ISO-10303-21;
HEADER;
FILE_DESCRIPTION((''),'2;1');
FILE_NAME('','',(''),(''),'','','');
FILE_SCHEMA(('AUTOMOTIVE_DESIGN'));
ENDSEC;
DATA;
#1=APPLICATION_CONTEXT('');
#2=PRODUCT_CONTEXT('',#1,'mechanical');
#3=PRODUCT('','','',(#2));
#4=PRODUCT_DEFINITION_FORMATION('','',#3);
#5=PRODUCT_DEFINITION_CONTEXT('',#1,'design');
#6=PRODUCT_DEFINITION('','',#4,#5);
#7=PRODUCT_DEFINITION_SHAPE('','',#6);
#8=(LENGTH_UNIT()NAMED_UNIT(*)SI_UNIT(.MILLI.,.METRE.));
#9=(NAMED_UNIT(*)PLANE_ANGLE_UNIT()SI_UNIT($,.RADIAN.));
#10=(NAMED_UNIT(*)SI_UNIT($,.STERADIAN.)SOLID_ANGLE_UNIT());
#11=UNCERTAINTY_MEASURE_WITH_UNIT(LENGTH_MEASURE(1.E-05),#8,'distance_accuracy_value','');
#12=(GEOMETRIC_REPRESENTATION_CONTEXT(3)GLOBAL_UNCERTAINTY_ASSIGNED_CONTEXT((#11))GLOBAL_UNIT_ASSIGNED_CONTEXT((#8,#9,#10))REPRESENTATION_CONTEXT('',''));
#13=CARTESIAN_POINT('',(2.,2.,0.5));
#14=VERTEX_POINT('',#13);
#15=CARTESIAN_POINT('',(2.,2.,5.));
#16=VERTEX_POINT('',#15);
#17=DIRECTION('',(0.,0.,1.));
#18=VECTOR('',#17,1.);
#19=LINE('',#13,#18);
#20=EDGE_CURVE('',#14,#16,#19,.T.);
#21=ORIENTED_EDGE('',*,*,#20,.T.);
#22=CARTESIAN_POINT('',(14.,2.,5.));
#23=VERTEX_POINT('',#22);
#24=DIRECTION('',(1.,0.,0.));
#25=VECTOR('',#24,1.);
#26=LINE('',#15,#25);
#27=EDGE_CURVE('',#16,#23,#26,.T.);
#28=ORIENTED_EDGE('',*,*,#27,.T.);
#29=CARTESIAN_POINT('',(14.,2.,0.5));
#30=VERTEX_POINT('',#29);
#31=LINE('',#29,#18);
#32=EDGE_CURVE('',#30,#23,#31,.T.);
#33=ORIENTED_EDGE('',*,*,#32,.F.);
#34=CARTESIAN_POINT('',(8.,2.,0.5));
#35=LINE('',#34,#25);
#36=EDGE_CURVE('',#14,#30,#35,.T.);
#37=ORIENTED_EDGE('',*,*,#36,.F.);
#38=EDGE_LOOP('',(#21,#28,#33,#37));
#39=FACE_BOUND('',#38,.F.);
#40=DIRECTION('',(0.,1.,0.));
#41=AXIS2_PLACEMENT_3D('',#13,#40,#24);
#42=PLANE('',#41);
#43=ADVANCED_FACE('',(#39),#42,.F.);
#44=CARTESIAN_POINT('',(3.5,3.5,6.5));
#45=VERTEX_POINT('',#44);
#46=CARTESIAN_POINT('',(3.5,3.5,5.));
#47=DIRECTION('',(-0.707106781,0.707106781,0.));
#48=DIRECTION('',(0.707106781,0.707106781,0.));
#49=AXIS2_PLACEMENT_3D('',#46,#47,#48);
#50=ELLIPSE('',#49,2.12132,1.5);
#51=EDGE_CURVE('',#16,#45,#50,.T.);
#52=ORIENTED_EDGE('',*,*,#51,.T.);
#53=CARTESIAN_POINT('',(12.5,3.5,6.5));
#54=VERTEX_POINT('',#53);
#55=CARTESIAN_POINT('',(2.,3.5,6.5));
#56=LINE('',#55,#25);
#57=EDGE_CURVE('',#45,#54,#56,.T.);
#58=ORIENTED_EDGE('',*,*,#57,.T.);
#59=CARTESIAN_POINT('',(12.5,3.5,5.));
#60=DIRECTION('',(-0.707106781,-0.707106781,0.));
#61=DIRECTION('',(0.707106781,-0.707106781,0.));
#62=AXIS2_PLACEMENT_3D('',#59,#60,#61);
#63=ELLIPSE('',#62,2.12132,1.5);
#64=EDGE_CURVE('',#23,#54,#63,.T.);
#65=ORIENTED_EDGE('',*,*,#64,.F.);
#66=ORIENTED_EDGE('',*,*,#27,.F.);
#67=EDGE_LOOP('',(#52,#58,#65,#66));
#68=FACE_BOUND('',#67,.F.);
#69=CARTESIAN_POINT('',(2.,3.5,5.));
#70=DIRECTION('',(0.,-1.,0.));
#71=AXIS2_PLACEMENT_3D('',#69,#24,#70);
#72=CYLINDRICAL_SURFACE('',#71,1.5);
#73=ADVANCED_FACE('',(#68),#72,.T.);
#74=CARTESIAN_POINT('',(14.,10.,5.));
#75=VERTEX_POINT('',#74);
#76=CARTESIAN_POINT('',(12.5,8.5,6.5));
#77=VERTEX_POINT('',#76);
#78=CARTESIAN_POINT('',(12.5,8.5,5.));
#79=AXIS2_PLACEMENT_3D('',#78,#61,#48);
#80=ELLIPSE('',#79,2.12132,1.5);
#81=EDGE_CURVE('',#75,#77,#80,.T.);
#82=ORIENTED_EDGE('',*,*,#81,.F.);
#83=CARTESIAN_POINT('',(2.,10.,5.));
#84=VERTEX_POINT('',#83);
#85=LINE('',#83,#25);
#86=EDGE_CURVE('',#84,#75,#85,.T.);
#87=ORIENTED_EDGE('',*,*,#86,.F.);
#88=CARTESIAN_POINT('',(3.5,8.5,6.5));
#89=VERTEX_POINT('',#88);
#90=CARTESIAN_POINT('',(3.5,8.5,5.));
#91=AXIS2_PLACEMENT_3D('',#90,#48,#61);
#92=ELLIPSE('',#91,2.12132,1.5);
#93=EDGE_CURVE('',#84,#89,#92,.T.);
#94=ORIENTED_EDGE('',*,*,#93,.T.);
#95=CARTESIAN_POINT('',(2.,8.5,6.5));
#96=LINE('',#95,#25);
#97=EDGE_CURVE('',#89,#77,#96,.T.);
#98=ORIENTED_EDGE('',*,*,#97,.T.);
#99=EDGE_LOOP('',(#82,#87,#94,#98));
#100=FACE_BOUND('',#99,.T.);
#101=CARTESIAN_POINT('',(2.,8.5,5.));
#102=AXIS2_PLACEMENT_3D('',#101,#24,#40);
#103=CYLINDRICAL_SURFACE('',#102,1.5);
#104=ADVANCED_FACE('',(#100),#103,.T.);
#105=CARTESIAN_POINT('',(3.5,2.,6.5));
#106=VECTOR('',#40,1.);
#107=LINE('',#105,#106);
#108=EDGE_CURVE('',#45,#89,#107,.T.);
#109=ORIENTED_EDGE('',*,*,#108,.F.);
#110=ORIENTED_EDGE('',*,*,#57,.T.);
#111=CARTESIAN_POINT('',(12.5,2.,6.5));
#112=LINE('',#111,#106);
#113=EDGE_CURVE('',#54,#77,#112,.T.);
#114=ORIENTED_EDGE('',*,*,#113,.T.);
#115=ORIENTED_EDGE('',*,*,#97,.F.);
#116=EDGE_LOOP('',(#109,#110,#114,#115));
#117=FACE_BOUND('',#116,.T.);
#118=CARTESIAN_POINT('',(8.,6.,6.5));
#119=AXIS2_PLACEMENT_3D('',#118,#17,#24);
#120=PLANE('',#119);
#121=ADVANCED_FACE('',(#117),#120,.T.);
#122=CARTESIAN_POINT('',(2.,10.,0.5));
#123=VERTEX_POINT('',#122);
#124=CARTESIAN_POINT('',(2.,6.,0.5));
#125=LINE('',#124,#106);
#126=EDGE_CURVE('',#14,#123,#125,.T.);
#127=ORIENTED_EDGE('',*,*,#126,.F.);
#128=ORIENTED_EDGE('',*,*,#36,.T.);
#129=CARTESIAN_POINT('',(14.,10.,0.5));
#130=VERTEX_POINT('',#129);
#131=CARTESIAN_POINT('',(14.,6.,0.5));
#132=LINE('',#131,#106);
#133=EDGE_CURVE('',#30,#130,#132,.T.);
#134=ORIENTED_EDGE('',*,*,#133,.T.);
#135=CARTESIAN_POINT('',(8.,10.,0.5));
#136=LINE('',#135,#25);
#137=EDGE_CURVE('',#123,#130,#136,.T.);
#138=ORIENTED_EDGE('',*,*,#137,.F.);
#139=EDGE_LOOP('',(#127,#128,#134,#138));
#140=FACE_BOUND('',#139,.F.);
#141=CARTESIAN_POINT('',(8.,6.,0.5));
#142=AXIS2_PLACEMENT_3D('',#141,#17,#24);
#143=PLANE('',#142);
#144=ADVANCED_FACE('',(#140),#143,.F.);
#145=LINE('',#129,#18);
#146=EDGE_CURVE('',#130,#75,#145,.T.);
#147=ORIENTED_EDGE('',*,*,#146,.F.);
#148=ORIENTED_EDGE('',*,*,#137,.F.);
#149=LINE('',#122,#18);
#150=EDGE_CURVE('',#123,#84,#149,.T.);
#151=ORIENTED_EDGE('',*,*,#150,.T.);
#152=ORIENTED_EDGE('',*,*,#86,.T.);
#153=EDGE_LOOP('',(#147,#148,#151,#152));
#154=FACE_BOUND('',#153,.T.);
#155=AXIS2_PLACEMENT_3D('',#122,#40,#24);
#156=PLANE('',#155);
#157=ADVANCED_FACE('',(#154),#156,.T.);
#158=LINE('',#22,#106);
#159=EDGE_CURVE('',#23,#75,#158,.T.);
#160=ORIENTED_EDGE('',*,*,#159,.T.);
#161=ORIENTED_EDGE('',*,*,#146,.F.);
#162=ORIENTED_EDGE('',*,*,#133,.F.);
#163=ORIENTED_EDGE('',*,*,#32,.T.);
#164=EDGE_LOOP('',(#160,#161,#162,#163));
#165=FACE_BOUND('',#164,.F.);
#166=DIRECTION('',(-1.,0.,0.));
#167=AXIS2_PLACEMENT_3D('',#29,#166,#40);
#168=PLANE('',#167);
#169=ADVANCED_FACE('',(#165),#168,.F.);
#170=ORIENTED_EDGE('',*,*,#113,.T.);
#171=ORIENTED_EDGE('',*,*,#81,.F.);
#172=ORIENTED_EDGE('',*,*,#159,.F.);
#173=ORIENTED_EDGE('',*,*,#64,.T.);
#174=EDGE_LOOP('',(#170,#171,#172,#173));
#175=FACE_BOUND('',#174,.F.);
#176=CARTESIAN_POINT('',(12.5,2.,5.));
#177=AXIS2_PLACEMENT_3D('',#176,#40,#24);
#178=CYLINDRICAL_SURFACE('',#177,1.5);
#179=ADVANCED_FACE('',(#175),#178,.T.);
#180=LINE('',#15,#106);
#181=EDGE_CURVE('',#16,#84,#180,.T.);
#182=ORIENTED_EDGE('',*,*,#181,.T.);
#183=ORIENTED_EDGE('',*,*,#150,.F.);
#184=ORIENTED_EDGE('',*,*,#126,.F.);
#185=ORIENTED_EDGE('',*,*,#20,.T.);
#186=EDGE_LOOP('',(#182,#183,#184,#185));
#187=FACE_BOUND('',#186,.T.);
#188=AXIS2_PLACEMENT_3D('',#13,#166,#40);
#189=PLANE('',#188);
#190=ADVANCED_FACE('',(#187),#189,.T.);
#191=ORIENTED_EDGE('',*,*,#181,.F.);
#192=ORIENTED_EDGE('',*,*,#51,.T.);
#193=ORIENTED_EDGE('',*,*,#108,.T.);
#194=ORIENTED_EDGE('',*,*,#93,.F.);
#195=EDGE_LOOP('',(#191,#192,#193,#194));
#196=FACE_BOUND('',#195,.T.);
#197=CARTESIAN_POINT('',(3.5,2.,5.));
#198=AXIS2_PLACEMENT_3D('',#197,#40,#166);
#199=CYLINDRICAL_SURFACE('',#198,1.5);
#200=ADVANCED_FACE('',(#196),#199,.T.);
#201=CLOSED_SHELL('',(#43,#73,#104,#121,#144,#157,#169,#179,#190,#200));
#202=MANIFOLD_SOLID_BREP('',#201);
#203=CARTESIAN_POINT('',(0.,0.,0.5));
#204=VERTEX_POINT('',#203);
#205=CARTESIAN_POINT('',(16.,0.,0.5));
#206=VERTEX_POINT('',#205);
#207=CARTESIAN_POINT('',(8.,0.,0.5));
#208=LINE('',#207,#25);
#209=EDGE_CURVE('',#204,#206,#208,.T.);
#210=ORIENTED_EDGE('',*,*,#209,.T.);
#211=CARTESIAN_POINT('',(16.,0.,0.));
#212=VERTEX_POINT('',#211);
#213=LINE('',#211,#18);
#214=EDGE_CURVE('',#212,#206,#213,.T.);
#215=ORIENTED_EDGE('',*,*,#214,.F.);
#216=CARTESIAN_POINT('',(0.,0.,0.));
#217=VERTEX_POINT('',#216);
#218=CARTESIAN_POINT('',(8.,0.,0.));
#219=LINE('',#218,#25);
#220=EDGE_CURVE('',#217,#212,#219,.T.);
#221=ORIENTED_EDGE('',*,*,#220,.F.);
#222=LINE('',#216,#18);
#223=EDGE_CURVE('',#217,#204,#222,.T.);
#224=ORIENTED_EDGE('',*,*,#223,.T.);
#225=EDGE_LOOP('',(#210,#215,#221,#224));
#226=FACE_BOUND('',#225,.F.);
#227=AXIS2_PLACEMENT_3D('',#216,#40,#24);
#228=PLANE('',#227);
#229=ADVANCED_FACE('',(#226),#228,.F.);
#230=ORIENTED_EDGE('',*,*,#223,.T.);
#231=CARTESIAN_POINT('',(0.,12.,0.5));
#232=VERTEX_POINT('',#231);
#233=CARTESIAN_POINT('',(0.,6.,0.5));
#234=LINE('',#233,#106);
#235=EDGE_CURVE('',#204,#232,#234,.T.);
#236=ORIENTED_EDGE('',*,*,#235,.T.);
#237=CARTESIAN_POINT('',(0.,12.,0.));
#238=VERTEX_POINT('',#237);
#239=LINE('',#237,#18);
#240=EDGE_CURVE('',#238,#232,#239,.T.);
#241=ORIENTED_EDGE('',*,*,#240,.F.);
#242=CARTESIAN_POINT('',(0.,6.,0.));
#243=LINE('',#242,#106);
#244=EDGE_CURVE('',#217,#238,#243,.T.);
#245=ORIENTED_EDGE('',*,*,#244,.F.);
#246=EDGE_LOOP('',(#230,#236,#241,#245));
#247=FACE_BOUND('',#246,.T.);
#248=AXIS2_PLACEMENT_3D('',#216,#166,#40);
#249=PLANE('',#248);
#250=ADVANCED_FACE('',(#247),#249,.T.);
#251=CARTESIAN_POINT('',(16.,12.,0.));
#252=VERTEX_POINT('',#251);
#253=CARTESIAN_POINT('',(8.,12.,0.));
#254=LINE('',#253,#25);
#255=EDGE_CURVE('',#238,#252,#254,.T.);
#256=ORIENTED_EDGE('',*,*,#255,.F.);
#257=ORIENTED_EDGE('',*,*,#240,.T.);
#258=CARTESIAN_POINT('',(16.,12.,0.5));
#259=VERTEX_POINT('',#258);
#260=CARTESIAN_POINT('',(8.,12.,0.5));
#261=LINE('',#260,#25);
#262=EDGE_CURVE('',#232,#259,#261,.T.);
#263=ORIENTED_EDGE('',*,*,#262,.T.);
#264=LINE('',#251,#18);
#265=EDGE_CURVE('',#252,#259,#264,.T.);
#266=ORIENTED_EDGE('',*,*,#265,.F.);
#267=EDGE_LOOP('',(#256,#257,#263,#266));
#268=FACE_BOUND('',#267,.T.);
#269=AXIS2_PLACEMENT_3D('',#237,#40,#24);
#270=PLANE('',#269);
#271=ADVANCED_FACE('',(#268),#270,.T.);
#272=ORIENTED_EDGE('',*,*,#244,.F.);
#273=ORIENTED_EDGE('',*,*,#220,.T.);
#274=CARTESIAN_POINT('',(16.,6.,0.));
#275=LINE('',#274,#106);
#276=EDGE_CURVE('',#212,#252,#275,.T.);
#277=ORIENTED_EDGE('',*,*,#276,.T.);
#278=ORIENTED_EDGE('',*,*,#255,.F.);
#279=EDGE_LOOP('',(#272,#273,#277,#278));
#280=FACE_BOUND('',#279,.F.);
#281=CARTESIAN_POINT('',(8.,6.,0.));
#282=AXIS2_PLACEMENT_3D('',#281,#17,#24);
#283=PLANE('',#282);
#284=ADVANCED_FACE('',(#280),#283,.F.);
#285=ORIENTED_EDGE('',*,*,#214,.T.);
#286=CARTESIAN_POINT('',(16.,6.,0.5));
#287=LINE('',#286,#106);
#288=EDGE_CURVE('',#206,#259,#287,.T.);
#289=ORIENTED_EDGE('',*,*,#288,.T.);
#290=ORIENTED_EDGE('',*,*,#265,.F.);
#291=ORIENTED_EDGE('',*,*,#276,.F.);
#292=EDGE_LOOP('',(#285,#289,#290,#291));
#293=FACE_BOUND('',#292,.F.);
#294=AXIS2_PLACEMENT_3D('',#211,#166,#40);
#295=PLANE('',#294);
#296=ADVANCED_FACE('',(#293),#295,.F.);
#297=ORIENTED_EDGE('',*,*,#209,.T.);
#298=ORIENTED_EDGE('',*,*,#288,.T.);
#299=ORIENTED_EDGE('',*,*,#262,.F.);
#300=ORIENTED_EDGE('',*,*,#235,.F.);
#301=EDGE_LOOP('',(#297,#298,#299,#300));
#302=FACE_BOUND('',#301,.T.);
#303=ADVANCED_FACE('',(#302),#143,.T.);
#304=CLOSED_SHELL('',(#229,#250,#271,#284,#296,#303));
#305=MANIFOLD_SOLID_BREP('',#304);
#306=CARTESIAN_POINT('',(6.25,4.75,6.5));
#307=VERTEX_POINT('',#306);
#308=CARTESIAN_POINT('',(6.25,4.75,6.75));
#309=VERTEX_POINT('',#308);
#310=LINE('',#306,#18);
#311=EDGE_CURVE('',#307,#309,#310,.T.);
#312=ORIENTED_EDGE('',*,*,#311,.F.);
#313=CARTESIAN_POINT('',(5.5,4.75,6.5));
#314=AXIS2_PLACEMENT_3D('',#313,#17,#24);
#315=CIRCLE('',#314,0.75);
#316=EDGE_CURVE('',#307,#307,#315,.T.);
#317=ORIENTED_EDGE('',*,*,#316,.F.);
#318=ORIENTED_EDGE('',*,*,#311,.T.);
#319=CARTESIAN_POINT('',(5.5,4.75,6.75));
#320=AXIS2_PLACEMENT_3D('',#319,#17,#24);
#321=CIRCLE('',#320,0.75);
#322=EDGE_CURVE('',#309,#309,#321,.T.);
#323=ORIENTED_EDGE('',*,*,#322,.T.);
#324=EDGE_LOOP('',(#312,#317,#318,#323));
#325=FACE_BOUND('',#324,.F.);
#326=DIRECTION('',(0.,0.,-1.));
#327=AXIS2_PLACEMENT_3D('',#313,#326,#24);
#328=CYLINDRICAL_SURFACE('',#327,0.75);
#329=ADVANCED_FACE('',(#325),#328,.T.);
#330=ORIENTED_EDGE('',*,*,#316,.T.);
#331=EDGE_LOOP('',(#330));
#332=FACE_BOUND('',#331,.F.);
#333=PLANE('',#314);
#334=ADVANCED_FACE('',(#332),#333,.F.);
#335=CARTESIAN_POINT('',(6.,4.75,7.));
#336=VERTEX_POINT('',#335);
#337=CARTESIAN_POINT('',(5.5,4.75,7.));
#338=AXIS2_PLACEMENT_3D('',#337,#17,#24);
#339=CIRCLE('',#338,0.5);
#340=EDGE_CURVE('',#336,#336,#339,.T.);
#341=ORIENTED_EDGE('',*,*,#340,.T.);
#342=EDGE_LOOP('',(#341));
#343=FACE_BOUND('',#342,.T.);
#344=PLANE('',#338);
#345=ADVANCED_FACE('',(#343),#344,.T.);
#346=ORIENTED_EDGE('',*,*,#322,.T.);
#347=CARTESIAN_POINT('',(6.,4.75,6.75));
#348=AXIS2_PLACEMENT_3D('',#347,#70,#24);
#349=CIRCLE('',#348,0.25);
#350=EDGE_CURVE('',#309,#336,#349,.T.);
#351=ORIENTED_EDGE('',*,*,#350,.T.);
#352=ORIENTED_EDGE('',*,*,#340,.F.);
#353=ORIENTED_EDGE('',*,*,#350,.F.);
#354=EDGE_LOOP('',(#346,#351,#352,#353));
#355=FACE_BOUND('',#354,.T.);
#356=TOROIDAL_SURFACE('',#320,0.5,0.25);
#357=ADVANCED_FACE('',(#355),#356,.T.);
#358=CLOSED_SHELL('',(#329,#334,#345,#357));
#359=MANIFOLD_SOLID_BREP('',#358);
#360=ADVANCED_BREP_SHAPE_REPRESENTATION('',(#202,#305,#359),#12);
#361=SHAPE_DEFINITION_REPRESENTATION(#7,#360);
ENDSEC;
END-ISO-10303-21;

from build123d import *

# Parameters (mm, degrees)
SKETCH_W     = 16
SKETCH_H     = 12
PAD_DEPTH    = 0.5
SKETCH001_W  = 12
SKETCH001_H  = 8
PAD001_DEPTH = 6
FILLET_R     = 1.5
SKETCH002_R  = 0.75
PAD002_DEPTH = 0.5
FILLET001_R  = 0.25


with BuildPart() as pad:
    # Sketch → Pad (new body)
    with BuildSketch(Plane.XY):
        with Locations((8, 6)):
            Rectangle(SKETCH_W, SKETCH_H)
    extrude(amount=PAD_DEPTH)


with BuildPart() as fillet_body:
    # Sketch001 → Pad001 (new body)
    with BuildSketch(Plane.XY.offset(0.5)):
        with Locations((8, 6)):
            Rectangle(SKETCH001_W, SKETCH001_H)
    extrude(amount=PAD001_DEPTH)

    # Fillet
    fillet_edges = [fillet_body.edges().sort_by_distance(p)[0] for p in [
        (8, 2, 6.5),
        (14, 6, 6.5),
        (8, 10, 6.5),
        (2, 6, 6.5),
    ]]
    fillet(fillet_edges, radius=FILLET_R)


with BuildPart() as fillet001:
    # Sketch002 → Pad002 (new body)
    with BuildSketch(Plane.XY.offset(6.5)):
        with Locations((5.5, 4.75)):
            Circle(SKETCH002_R)
    extrude(amount=PAD002_DEPTH)

    # Fillet001
    fillet001_edges = [fillet001.edges().sort_by_distance(p)[0] for p in [
        (4.75, 4.75, 7),
    ]]
    fillet(fillet001_edges, radius=FILLET001_R)


solid = Compound([pad.part, fillet_body.part, fillet001.part])
